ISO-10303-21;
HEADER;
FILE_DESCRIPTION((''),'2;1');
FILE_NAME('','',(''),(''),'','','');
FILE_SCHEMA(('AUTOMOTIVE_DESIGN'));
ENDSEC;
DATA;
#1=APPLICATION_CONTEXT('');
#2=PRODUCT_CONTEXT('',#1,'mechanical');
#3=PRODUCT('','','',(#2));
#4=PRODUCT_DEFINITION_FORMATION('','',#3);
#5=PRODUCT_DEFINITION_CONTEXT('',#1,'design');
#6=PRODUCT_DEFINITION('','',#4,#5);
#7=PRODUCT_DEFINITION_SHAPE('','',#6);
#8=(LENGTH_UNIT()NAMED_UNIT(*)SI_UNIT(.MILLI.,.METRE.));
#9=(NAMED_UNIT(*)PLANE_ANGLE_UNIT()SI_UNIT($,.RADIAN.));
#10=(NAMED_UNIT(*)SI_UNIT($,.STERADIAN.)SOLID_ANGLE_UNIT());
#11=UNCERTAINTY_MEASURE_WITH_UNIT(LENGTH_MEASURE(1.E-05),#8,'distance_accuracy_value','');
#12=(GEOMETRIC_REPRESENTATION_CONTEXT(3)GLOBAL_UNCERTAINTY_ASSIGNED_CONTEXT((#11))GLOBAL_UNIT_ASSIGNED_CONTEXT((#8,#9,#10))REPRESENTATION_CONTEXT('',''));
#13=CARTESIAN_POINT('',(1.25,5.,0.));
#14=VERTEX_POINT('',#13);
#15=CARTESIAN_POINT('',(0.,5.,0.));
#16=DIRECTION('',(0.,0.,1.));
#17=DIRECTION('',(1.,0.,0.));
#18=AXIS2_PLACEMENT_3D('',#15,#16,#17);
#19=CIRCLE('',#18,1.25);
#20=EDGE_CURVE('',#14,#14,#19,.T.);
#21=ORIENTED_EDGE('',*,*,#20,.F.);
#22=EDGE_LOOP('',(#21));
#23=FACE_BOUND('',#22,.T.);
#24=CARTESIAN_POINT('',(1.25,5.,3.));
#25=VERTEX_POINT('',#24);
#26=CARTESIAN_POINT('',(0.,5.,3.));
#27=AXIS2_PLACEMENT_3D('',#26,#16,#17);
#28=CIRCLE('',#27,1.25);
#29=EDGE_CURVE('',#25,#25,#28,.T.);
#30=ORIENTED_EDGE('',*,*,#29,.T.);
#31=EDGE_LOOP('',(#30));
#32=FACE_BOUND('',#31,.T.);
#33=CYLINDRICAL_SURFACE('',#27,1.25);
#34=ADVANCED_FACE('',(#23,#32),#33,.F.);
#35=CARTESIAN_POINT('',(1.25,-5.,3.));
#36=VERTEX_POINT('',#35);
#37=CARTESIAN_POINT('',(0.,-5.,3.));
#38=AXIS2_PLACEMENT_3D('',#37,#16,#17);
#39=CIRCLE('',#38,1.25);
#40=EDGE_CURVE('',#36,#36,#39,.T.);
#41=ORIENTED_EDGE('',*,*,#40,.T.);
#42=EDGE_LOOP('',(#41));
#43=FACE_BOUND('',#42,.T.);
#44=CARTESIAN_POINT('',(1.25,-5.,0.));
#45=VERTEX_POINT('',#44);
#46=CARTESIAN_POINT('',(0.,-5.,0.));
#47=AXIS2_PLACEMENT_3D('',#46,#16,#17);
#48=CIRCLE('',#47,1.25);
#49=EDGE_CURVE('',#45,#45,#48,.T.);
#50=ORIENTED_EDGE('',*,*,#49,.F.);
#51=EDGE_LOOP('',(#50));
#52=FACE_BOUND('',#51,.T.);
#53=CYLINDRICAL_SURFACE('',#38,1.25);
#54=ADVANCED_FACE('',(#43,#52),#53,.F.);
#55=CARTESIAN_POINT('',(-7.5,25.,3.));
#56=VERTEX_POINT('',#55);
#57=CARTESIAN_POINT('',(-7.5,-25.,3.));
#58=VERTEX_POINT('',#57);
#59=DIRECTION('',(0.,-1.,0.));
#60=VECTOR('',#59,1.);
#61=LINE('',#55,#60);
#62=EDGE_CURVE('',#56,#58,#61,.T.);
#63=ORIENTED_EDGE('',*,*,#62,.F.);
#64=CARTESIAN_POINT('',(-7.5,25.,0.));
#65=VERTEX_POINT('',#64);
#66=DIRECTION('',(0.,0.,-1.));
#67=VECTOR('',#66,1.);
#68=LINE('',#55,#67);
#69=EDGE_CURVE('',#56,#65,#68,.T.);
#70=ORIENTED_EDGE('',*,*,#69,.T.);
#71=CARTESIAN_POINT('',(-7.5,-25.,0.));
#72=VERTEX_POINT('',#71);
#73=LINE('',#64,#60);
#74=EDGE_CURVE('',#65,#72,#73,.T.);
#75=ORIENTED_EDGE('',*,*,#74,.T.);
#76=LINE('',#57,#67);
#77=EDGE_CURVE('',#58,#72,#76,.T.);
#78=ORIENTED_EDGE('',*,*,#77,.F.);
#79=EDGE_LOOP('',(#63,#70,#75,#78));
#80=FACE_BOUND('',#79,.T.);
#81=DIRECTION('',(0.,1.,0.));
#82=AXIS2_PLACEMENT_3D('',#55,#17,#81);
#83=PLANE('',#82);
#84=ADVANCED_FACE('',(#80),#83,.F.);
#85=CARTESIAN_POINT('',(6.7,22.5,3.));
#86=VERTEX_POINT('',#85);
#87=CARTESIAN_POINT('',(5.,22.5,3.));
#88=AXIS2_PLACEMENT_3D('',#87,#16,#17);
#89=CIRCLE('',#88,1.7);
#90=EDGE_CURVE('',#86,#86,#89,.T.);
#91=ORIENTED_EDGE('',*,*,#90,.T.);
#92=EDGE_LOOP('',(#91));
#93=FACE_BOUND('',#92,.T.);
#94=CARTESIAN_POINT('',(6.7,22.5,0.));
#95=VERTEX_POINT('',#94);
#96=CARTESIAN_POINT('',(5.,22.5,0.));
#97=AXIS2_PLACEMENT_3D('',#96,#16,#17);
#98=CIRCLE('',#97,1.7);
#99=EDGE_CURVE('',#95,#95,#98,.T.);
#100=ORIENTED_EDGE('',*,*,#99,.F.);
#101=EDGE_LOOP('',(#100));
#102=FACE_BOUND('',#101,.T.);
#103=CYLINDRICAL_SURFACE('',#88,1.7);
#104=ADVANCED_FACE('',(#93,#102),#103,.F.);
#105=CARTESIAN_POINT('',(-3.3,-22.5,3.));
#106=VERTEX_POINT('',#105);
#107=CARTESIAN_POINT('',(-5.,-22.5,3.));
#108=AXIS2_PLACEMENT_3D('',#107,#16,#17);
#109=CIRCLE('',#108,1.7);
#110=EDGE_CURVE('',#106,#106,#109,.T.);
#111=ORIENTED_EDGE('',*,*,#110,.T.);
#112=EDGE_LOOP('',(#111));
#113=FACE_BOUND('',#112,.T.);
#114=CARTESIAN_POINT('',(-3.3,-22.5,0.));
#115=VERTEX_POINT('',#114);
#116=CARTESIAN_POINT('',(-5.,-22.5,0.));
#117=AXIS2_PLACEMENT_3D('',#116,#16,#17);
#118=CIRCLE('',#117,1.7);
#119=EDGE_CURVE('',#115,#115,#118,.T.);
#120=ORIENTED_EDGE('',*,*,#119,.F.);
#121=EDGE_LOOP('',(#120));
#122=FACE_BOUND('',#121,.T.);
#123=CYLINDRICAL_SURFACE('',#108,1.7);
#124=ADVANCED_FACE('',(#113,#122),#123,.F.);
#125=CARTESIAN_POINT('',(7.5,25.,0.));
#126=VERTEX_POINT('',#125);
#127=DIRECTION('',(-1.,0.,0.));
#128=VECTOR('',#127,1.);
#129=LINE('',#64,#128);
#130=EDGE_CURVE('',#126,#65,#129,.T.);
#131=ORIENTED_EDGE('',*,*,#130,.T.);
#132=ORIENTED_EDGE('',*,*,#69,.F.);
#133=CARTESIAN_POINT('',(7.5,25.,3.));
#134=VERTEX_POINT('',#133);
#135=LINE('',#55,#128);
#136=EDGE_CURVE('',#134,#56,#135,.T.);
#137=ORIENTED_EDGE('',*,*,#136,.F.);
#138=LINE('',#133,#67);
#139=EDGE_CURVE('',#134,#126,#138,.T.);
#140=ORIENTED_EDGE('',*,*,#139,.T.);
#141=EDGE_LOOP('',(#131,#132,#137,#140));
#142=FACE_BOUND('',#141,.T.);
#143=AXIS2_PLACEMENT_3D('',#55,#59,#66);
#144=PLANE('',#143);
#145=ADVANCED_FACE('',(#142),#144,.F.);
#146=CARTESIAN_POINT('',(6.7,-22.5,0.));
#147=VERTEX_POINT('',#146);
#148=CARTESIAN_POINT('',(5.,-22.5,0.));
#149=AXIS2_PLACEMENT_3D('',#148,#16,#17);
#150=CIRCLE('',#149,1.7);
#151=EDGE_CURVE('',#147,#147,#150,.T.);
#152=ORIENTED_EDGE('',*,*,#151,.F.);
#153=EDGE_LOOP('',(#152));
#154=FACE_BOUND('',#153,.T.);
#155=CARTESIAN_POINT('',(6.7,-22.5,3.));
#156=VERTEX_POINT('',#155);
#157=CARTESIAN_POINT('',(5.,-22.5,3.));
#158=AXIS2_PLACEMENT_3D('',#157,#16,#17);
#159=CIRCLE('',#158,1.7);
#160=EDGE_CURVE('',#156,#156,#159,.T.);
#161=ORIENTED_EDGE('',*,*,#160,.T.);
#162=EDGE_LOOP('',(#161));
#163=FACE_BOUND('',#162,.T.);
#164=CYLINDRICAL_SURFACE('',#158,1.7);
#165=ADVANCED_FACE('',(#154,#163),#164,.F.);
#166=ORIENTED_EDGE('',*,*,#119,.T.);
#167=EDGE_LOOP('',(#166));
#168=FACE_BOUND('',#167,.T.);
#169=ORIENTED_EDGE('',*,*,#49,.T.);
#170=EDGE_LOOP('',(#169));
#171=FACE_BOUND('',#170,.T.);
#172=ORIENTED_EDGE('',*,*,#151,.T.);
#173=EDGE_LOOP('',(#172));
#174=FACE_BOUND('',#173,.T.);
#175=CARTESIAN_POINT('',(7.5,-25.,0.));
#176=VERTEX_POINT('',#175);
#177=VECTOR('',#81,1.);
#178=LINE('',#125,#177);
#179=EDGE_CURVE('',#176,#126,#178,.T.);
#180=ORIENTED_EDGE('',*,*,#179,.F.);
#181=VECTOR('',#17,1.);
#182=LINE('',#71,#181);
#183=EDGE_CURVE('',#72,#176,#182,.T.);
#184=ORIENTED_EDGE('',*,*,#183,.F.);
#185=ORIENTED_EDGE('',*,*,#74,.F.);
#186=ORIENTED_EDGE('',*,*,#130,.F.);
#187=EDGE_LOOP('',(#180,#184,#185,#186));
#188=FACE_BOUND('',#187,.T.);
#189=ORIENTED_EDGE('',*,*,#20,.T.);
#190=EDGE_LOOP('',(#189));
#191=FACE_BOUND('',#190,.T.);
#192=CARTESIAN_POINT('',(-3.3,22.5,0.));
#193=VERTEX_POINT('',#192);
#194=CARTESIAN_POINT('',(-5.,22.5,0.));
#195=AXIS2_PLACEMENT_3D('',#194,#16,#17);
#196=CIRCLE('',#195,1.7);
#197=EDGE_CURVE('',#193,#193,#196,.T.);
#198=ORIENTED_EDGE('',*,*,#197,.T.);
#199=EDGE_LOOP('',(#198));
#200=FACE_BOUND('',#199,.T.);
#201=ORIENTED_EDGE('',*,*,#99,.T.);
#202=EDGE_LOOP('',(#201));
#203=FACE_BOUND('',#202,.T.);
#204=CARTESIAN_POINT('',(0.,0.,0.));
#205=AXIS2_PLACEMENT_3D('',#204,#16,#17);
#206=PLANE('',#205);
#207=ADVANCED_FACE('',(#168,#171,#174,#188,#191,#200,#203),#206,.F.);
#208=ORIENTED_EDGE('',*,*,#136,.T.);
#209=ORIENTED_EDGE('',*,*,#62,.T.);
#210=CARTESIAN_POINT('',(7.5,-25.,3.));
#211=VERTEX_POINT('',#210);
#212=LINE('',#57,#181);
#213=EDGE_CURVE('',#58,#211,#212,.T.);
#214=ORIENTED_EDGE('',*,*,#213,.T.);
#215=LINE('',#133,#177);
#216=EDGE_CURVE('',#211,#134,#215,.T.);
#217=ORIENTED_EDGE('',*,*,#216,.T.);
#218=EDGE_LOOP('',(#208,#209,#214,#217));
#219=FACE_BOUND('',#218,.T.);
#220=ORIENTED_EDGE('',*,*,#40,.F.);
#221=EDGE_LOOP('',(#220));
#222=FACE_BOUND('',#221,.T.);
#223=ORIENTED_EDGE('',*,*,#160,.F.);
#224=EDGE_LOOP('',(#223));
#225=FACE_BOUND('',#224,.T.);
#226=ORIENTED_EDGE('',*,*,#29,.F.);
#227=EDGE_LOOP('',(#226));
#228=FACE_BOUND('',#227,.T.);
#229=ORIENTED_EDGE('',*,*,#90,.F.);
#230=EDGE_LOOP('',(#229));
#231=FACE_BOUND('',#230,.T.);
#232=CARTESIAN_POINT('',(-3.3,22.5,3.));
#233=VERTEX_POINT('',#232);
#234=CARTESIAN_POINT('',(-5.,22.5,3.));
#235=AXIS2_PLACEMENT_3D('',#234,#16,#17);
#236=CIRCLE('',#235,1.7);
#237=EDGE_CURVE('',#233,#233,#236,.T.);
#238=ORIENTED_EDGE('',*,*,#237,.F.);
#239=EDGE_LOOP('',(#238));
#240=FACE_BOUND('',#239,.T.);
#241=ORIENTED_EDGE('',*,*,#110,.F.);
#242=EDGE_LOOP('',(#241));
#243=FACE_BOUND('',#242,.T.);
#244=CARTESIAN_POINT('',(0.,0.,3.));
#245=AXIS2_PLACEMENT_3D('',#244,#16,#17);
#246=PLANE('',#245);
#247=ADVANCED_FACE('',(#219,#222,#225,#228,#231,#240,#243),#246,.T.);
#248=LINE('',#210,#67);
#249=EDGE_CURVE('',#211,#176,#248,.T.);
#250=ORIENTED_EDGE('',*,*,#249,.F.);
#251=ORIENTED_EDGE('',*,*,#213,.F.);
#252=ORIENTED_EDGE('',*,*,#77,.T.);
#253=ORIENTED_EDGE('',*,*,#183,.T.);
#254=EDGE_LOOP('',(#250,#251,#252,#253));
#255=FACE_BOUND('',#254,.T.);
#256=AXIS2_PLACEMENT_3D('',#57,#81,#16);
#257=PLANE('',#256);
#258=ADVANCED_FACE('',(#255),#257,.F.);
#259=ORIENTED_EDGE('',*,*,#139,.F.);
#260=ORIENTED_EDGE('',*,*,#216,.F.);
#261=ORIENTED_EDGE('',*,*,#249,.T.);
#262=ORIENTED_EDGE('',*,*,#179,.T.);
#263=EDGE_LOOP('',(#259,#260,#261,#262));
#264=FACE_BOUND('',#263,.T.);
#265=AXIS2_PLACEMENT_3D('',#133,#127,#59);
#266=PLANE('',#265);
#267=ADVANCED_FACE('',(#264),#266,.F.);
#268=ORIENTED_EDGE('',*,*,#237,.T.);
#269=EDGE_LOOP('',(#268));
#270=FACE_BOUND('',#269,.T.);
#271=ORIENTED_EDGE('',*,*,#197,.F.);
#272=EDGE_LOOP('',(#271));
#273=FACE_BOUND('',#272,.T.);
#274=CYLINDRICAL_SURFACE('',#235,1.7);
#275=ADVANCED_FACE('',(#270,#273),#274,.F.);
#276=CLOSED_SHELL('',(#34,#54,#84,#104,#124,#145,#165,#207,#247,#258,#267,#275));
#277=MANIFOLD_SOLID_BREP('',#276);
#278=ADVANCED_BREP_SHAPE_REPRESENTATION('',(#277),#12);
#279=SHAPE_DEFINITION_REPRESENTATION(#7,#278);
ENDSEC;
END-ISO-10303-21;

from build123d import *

# Parameters (mm, degrees)
SKETCH_1_W             = 15
SKETCH_1_H             = 50
EXTRUDE_1_DEPTH        = 3
HOLE_WIZARD_M3_1_D     = 2.5
HOLE_WIZARD_M3_1_DEPTH = 3
HOLE_WIZARD_M3_1_2_D   = 3.4


with BuildPart() as part:
    # 스케치1 → 보스-돌출1 (new body)
    with BuildSketch(Plane.XY):
        Rectangle(SKETCH_1_W, SKETCH_1_H)
    extrude(amount=EXTRUDE_1_DEPTH)

    # Hole Wizard M3 _ _1
    with Locations(Plane.XY.offset(3)):
        with Locations((0, 5), (0, -5)):
            Hole(HOLE_WIZARD_M3_1_D / 2, depth=HOLE_WIZARD_M3_1_DEPTH)

    # Hole Wizard M3 _ _1 2 (through all)
    with Locations(Plane.XY.offset(3)):
        with Locations((-5, 22.5), (5, 22.5), (-5, -22.5), (5, -22.5)):
            Hole(HOLE_WIZARD_M3_1_2_D / 2)


solid = part.part
